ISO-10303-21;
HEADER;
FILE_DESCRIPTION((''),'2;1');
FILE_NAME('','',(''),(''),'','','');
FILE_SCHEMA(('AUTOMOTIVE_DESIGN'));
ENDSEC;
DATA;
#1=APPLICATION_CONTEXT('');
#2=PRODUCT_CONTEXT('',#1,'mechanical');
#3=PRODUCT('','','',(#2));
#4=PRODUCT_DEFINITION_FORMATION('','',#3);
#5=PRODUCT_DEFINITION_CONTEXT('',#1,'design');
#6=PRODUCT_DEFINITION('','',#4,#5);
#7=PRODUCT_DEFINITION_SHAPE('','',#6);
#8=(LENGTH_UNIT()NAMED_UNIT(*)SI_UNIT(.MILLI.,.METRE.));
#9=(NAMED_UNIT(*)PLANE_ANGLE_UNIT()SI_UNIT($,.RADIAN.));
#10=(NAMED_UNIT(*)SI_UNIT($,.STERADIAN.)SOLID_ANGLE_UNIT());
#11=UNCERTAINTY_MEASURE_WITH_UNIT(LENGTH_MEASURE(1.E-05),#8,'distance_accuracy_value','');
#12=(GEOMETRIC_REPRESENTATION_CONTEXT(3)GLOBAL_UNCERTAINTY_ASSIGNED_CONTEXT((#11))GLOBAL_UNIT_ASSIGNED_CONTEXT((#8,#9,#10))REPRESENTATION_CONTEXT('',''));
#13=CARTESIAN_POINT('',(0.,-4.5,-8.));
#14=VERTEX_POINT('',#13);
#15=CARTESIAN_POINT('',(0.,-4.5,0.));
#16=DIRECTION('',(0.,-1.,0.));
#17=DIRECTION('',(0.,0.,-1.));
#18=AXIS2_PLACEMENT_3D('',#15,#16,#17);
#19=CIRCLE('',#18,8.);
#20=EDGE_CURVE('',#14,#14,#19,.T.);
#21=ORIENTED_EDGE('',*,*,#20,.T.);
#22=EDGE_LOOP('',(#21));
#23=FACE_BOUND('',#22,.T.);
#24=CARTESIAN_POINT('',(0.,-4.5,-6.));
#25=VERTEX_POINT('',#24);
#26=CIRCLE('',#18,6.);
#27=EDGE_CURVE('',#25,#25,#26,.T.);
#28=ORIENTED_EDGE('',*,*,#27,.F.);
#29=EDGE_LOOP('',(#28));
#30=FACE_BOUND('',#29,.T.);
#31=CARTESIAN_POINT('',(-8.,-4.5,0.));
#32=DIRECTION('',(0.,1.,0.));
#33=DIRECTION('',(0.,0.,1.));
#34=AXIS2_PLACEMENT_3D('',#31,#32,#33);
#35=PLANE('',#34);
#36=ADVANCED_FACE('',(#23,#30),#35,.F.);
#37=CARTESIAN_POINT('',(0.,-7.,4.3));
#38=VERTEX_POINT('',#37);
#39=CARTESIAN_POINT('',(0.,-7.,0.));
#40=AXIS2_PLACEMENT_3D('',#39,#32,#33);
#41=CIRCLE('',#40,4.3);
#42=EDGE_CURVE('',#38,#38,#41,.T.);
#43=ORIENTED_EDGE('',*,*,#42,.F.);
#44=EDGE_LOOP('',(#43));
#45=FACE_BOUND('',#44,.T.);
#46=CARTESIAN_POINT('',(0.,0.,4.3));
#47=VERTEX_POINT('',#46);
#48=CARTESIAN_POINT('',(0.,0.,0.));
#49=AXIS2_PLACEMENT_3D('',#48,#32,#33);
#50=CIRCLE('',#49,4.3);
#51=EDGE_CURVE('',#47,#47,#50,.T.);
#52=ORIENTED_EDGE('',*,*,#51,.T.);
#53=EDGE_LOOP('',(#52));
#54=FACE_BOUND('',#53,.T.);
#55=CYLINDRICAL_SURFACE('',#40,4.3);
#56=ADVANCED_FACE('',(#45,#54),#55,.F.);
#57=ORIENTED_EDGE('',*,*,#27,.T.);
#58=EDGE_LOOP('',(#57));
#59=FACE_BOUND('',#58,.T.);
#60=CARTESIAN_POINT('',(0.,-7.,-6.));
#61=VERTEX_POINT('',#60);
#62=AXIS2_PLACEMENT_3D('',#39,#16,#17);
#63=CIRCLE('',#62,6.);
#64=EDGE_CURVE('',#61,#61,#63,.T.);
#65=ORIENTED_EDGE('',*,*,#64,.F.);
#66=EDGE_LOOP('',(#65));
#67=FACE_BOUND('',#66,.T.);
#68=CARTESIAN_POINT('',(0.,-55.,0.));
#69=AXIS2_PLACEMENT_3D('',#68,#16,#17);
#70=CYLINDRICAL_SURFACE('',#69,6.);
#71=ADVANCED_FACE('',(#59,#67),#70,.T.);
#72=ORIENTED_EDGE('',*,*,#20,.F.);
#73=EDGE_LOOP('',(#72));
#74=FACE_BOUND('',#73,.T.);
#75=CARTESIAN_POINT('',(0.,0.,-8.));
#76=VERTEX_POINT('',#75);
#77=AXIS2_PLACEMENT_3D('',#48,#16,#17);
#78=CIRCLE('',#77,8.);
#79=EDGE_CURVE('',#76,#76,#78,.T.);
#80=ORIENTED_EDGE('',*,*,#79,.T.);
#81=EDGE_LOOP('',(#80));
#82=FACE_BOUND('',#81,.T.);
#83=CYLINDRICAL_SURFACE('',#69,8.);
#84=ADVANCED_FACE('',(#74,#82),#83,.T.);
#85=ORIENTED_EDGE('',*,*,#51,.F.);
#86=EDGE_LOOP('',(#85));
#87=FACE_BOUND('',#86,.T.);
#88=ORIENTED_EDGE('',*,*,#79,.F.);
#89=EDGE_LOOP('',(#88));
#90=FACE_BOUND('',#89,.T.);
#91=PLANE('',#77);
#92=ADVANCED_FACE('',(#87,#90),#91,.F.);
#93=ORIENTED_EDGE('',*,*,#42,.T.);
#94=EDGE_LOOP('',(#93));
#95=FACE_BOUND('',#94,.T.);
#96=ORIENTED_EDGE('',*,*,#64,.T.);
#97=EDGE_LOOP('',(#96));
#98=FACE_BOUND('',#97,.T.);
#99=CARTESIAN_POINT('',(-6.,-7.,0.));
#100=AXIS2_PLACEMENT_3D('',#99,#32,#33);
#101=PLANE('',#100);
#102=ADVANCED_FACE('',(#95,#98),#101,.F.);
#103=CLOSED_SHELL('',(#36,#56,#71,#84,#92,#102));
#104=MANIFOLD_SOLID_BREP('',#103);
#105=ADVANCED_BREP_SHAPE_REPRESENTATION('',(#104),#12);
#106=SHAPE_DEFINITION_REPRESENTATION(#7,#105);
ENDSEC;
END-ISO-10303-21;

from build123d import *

# Parameters (mm, degrees)
SKETCH3_R          = 4.3
CUT_EXTRUDE1_DEPTH = 8


with BuildPart() as part:
    # Sketch2 → Revolve1 (revolve)
    with BuildSketch(Plane.XY):
        Polygon((0, 0), (-8, 0), (-8, -4.5), (-6, -4.5), (-6, -7), (0, -7), align=None)
    revolve(axis=Axis((0, -55, 0), (0, 1, 0)))

    # Sketch3 → Cut-Extrude1 (cut, through all)
    with BuildSketch(Plane(origin=(0, 0, 0), x_dir=(1, 0, 0), z_dir=(0, 1, 0))):
        Circle(SKETCH3_R)
    extrude(amount=-CUT_EXTRUDE1_DEPTH, mode=Mode.SUBTRACT)


solid = part.part
